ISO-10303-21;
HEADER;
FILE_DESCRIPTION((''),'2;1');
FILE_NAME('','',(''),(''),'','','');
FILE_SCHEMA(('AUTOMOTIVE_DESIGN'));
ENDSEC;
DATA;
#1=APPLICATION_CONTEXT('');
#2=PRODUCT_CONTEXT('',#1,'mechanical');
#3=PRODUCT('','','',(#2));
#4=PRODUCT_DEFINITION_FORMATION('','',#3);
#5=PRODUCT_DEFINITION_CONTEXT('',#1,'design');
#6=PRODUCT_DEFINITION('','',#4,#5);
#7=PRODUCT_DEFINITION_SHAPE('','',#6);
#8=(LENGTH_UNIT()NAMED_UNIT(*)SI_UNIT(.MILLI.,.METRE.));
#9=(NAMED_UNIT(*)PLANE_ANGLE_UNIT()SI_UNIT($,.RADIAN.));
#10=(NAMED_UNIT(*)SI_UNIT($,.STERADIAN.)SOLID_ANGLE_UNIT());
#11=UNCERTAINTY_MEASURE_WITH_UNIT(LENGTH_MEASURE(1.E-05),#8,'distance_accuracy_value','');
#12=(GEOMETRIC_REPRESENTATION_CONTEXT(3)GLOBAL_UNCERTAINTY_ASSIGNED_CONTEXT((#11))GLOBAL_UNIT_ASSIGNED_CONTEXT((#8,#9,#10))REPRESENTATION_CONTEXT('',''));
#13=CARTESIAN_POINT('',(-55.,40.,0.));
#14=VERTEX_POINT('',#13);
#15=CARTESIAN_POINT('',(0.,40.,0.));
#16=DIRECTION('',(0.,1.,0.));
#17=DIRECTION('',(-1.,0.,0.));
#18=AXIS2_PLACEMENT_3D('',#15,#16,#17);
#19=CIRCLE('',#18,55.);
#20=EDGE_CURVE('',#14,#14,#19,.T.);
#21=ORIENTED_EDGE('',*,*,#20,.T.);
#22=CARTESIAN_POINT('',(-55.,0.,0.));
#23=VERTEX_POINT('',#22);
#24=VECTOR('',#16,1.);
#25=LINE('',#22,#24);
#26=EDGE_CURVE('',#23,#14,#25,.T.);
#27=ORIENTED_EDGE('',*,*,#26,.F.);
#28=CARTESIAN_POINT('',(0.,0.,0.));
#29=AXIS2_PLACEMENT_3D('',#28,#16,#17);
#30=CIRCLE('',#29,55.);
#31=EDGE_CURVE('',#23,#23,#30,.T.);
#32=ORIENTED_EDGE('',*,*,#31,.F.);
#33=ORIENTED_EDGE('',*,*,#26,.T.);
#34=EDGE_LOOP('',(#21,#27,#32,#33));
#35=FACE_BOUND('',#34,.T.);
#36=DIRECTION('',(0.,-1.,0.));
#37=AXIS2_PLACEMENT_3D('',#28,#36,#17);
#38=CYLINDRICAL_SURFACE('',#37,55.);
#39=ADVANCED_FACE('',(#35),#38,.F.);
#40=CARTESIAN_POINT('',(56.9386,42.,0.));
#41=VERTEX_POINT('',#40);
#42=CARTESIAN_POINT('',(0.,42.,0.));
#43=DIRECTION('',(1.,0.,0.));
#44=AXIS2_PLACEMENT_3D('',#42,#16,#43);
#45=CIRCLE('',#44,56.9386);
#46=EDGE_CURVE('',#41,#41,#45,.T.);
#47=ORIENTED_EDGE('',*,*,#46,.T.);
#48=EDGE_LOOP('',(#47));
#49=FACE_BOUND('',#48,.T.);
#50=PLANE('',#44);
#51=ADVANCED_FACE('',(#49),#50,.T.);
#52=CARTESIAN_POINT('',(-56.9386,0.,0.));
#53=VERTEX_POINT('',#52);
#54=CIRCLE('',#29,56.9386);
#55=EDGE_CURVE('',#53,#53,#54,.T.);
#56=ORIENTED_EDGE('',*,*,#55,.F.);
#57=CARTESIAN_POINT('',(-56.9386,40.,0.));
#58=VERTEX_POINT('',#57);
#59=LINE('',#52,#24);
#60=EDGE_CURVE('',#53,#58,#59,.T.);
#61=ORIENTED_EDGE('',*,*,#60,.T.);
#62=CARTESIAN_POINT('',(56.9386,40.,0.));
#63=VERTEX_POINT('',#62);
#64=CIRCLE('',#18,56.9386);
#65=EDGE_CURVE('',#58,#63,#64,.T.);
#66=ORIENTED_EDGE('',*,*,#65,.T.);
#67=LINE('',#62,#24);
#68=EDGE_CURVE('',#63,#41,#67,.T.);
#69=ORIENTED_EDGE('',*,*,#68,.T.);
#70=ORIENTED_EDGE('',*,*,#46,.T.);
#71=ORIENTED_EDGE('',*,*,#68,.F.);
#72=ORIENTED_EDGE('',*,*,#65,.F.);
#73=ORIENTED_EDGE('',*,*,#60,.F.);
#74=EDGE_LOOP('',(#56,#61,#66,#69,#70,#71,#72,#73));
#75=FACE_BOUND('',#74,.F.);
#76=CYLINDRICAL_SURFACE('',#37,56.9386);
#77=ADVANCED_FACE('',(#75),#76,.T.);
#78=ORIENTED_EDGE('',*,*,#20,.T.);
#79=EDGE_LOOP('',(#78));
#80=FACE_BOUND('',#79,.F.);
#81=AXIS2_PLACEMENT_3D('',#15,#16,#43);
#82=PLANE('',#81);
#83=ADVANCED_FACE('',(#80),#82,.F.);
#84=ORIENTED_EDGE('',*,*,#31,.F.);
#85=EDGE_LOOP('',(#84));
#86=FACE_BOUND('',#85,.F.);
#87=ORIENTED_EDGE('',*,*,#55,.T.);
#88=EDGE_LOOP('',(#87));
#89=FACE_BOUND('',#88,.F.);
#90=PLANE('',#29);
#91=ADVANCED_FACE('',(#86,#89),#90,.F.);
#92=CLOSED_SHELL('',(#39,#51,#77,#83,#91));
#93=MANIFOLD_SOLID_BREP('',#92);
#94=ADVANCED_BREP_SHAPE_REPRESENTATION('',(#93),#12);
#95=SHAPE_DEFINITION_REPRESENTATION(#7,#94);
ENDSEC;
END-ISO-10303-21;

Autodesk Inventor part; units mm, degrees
ref_plane "YZ Plane" through (0, 0, 0) normal (1, 0, 0) x (0, 1, 0)
ref_plane "XZ Plane" through (0, 0, 0) normal (0, 1, 0) x (-1, 0, 0)
ref_plane "XY Plane" through (0, 0, 0) normal (0, 0, 1) x (1, 0, 0)
sketch "Sketch1" plane through (0, 0, 0) normal (0, 1, 0) x (-1, 0, 0)
  circle A0 centre (0, 0) radius 55
  circle A1 centre (0, 0) radius 56.9386
  dimension "d0" = 110
  dimension "d1" = 1.9386
extrude "Extrusion1" add sketch "Sketch1" along normal blind 40
sketch "Sketch2" plane through (0, 40, 0) normal (0, 1, 0) x (1, 0, 0)
  circle A0 centre (0, 0) radius 56.9386 projected
extrude "Extrusion2" add sketch "Sketch2" along normal blind 2
properties part number "endCap"
